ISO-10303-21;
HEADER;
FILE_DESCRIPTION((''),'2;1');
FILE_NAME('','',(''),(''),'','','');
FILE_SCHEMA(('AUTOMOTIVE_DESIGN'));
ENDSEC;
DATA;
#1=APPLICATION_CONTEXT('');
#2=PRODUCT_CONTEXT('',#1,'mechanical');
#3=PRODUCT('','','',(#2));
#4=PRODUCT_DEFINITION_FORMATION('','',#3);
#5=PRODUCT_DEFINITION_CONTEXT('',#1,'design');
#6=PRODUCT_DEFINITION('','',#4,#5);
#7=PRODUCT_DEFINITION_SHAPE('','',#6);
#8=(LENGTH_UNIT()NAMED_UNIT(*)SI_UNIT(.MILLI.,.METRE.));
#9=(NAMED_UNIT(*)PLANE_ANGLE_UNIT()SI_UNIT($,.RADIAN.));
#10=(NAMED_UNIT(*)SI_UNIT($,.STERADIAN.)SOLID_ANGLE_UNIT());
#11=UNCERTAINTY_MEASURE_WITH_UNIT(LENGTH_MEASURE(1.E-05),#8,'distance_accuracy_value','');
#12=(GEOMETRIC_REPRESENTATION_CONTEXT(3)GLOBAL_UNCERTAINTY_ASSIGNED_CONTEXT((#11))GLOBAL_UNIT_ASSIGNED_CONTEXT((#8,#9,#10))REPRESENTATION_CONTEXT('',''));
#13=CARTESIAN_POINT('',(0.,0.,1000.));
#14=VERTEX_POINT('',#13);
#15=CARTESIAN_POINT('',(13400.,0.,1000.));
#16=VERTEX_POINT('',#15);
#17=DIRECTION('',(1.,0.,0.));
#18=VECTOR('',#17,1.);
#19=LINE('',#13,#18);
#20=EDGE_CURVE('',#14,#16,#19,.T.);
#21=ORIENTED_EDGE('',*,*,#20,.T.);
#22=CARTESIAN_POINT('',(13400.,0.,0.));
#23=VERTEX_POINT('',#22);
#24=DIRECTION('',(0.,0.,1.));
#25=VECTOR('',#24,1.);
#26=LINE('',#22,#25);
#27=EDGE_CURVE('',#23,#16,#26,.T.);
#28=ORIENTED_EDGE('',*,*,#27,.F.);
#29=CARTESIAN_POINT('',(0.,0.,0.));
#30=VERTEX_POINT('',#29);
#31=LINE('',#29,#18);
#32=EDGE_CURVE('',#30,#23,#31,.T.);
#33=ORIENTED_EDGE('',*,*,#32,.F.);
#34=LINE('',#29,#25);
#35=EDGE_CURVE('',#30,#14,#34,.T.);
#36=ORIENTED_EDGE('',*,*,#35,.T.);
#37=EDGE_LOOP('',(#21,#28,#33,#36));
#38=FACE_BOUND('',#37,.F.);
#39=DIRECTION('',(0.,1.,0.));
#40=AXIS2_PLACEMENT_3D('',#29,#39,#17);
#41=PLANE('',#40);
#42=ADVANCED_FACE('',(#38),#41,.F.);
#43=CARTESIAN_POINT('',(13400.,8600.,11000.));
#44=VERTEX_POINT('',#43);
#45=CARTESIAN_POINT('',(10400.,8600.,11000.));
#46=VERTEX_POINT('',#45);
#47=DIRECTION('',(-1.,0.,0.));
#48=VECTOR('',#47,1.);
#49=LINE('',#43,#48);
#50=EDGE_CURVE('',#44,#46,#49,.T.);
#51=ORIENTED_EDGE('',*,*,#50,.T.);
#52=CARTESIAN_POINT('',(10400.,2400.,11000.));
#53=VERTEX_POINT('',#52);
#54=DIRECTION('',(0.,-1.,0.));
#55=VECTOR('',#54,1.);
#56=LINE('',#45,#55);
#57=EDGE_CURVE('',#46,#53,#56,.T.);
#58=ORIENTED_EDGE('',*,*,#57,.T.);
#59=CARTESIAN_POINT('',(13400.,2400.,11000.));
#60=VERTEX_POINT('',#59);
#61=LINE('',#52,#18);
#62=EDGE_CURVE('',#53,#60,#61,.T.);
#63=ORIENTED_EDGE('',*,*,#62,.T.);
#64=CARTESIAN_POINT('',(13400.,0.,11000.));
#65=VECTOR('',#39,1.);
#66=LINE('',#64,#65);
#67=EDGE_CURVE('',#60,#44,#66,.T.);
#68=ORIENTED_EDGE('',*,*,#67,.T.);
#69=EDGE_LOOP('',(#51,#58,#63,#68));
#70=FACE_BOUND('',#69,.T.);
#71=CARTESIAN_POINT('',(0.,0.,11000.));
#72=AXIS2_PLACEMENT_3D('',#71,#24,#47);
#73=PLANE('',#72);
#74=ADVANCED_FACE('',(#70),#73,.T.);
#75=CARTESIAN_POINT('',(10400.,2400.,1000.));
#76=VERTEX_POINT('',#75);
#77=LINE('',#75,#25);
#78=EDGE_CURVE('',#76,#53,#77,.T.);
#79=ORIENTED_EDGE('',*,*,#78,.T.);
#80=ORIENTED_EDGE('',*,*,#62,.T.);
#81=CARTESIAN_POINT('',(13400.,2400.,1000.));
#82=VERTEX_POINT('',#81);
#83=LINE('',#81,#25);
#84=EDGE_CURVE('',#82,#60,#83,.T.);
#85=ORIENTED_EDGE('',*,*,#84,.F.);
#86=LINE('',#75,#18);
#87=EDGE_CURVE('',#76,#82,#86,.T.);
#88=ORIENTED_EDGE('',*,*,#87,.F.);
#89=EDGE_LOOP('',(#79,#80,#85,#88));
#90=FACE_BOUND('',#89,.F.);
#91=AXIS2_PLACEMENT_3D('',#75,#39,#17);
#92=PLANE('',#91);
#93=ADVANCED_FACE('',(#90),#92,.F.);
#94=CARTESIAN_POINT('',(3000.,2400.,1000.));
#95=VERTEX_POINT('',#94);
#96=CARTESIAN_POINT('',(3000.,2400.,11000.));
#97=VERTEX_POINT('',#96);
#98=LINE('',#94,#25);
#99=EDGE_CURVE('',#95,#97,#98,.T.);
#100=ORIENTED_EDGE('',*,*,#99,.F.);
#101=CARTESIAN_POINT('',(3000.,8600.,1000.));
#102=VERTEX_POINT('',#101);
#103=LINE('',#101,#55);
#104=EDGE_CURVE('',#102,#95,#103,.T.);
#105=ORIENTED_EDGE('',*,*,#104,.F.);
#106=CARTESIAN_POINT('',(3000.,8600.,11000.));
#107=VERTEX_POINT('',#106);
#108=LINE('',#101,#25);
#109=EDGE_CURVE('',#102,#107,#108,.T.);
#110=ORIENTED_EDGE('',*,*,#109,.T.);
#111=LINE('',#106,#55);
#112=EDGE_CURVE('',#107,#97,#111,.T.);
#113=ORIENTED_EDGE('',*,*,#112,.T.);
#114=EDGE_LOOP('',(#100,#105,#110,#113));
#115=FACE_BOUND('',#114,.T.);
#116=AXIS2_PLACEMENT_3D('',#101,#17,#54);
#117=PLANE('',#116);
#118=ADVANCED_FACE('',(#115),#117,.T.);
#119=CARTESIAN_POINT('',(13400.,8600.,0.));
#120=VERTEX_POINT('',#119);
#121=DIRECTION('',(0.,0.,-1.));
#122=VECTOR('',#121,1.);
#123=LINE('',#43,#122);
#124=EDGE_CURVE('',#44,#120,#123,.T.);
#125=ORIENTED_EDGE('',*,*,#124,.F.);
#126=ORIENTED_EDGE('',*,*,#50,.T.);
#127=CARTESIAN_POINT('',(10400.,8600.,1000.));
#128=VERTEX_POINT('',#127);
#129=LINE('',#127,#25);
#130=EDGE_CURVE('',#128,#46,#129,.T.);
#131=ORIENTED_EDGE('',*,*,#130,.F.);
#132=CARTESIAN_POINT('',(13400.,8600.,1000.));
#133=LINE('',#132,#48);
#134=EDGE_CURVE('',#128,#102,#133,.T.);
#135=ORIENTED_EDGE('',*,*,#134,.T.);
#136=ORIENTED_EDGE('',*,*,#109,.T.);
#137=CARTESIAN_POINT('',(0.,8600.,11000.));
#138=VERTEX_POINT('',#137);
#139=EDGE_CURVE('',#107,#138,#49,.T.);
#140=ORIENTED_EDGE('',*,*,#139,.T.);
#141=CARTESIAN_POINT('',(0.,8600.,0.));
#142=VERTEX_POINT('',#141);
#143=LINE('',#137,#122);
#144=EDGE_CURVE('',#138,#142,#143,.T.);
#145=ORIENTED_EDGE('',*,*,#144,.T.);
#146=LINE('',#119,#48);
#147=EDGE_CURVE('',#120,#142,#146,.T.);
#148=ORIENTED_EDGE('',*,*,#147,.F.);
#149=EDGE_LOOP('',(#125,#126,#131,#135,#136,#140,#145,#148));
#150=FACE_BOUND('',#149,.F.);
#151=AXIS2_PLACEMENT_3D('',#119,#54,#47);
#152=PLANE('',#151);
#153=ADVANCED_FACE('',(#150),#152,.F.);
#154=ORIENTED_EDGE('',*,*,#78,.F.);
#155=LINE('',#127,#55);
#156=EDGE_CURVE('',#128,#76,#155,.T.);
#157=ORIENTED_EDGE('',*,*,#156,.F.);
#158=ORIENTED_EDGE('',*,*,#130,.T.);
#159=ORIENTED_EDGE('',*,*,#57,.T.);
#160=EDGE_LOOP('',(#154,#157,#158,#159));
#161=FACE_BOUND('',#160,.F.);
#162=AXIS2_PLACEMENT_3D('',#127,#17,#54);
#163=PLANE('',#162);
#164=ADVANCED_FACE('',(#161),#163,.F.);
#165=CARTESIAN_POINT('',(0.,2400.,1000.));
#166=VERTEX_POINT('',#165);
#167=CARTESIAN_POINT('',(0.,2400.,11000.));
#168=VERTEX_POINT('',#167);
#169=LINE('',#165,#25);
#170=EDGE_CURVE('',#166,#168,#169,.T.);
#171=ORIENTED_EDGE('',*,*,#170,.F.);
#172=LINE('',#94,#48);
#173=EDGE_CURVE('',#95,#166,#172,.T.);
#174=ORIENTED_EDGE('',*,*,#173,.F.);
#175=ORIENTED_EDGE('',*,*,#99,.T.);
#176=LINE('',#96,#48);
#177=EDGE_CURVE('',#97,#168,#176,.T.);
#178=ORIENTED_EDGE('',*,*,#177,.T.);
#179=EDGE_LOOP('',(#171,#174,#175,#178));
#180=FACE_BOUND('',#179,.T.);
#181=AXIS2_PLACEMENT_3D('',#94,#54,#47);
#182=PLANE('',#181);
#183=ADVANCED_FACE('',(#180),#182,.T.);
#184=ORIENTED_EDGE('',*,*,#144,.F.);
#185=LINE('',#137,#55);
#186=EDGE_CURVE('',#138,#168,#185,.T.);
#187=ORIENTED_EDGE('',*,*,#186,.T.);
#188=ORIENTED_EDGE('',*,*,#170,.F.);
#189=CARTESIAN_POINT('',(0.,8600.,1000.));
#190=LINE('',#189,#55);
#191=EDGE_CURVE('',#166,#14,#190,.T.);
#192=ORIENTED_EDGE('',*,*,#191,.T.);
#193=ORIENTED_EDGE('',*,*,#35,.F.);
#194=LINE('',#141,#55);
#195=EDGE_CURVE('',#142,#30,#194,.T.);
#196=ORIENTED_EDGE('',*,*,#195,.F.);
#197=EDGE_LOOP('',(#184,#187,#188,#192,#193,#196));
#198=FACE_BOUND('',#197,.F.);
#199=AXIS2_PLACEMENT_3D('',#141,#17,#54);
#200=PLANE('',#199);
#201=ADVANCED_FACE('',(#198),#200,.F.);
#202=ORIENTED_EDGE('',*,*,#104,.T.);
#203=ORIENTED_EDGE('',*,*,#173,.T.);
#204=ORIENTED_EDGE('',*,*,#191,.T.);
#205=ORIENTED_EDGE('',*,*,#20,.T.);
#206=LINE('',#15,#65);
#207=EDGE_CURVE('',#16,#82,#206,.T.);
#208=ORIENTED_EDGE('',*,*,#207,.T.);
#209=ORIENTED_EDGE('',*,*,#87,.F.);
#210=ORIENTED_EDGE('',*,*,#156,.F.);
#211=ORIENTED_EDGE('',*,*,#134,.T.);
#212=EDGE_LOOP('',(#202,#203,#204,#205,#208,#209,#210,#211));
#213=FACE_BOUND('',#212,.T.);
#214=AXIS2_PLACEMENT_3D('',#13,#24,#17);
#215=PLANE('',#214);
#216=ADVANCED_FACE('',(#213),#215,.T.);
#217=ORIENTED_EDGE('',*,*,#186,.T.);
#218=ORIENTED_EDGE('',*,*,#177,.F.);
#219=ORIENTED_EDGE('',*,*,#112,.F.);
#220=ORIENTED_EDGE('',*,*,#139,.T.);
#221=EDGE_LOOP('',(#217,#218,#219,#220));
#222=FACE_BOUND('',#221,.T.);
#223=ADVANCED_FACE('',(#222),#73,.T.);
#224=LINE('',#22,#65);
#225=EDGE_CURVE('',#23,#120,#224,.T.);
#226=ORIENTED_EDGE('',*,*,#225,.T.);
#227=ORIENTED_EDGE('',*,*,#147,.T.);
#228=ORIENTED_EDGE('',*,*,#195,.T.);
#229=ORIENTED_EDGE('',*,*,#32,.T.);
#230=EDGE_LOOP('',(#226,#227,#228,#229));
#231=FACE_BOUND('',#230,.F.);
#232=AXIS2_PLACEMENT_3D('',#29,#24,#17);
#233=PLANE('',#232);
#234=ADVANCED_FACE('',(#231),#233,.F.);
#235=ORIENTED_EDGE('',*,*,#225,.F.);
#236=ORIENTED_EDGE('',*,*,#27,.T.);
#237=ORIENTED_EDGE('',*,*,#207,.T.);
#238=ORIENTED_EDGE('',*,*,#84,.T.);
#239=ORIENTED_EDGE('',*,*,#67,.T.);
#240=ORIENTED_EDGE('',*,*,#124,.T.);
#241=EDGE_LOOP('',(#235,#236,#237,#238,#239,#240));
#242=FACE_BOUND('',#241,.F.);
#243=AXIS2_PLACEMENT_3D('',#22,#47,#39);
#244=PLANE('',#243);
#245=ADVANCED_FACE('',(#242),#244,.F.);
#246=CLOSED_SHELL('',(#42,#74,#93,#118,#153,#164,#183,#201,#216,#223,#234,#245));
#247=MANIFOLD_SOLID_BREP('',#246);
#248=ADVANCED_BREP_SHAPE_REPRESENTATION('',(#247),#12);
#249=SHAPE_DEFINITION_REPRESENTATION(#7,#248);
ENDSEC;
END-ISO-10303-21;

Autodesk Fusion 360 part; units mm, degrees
sketch "Sketch1" plane through (0, 0, 0) normal (0, 0, 1) x (1, 0, 0)
  line L0 (0, 0) -> (13400, 0)
  line L1 (13400, 0) -> (13400, 8600)
  line L2 (13400, 8600) -> (0, 8600)
  line L3 (0, 8600) -> (0, 0)
  dimension "d1" = 13400
  dimension "d2" = 8600
extrude "Extrude1" add sketch "Sketch1" along normal blind 1000
sketch "Sketch2" plane through (0, 0, 1000) normal (0, 0, 1) x (-1, 0, 0)
  line L0 (0, -8600) -> (0, 0)
  line L1 (0, 0) -> (-13400, 0)
  line L2 (-13400, 0) -> (-13400, -8600)
  line L3 (-13400, -8600) -> (0, -8600)
  line L4 (0, -8600) -> (-3000, -8600)
  line L5 (-3000, -8600) -> (-3000, -2400)
  line L6 (-3000, -2400) -> (0, -2400)
  line L7 (0, -2400) -> (0, -8600)
  line L8 (-13400, -8600) -> (-10400, -8600)
  line L9 (-10400, -8600) -> (-10400, -2400)
  line L10 (-10400, -2400) -> (-13400, -2400)
  line L11 (-13400, -2400) -> (-13400, -8600)
extrude "Extrude2" add sketch "Sketch2" along normal blind 10000 contours L0 L3 L4 L5 L6 L7 | L2 L3 L8 L9 L10 L11
sketch "Sketch3" plane through (0, 0, 0) normal (0, 0, 1) x (1, 0, 0)
  line L0 (2257.1545, 9712.3639) -> (11104.2145, 9712.3639)
  line L1 (11104.2145, 9712.3639) -> (11104.2145, 1780.517)
  line L2 (11104.2145, 1780.517) -> (2257.1545, 1780.517)
  line L3 (2257.1545, 1780.517) -> (2257.1545, 9712.3639)
  line L4 (3000, 2400) -> (3000, 8600)
  line L5 (0, 2400) -> (3000, 2400)
  line L6 (3000, 8600) -> (0, 8600)
  line L7 (13400, 8600) -> (10400, 8600)
  line L8 (10400, 2400) -> (13400, 2400)
  line L9 (10400, 8600) -> (10400, 2400)
